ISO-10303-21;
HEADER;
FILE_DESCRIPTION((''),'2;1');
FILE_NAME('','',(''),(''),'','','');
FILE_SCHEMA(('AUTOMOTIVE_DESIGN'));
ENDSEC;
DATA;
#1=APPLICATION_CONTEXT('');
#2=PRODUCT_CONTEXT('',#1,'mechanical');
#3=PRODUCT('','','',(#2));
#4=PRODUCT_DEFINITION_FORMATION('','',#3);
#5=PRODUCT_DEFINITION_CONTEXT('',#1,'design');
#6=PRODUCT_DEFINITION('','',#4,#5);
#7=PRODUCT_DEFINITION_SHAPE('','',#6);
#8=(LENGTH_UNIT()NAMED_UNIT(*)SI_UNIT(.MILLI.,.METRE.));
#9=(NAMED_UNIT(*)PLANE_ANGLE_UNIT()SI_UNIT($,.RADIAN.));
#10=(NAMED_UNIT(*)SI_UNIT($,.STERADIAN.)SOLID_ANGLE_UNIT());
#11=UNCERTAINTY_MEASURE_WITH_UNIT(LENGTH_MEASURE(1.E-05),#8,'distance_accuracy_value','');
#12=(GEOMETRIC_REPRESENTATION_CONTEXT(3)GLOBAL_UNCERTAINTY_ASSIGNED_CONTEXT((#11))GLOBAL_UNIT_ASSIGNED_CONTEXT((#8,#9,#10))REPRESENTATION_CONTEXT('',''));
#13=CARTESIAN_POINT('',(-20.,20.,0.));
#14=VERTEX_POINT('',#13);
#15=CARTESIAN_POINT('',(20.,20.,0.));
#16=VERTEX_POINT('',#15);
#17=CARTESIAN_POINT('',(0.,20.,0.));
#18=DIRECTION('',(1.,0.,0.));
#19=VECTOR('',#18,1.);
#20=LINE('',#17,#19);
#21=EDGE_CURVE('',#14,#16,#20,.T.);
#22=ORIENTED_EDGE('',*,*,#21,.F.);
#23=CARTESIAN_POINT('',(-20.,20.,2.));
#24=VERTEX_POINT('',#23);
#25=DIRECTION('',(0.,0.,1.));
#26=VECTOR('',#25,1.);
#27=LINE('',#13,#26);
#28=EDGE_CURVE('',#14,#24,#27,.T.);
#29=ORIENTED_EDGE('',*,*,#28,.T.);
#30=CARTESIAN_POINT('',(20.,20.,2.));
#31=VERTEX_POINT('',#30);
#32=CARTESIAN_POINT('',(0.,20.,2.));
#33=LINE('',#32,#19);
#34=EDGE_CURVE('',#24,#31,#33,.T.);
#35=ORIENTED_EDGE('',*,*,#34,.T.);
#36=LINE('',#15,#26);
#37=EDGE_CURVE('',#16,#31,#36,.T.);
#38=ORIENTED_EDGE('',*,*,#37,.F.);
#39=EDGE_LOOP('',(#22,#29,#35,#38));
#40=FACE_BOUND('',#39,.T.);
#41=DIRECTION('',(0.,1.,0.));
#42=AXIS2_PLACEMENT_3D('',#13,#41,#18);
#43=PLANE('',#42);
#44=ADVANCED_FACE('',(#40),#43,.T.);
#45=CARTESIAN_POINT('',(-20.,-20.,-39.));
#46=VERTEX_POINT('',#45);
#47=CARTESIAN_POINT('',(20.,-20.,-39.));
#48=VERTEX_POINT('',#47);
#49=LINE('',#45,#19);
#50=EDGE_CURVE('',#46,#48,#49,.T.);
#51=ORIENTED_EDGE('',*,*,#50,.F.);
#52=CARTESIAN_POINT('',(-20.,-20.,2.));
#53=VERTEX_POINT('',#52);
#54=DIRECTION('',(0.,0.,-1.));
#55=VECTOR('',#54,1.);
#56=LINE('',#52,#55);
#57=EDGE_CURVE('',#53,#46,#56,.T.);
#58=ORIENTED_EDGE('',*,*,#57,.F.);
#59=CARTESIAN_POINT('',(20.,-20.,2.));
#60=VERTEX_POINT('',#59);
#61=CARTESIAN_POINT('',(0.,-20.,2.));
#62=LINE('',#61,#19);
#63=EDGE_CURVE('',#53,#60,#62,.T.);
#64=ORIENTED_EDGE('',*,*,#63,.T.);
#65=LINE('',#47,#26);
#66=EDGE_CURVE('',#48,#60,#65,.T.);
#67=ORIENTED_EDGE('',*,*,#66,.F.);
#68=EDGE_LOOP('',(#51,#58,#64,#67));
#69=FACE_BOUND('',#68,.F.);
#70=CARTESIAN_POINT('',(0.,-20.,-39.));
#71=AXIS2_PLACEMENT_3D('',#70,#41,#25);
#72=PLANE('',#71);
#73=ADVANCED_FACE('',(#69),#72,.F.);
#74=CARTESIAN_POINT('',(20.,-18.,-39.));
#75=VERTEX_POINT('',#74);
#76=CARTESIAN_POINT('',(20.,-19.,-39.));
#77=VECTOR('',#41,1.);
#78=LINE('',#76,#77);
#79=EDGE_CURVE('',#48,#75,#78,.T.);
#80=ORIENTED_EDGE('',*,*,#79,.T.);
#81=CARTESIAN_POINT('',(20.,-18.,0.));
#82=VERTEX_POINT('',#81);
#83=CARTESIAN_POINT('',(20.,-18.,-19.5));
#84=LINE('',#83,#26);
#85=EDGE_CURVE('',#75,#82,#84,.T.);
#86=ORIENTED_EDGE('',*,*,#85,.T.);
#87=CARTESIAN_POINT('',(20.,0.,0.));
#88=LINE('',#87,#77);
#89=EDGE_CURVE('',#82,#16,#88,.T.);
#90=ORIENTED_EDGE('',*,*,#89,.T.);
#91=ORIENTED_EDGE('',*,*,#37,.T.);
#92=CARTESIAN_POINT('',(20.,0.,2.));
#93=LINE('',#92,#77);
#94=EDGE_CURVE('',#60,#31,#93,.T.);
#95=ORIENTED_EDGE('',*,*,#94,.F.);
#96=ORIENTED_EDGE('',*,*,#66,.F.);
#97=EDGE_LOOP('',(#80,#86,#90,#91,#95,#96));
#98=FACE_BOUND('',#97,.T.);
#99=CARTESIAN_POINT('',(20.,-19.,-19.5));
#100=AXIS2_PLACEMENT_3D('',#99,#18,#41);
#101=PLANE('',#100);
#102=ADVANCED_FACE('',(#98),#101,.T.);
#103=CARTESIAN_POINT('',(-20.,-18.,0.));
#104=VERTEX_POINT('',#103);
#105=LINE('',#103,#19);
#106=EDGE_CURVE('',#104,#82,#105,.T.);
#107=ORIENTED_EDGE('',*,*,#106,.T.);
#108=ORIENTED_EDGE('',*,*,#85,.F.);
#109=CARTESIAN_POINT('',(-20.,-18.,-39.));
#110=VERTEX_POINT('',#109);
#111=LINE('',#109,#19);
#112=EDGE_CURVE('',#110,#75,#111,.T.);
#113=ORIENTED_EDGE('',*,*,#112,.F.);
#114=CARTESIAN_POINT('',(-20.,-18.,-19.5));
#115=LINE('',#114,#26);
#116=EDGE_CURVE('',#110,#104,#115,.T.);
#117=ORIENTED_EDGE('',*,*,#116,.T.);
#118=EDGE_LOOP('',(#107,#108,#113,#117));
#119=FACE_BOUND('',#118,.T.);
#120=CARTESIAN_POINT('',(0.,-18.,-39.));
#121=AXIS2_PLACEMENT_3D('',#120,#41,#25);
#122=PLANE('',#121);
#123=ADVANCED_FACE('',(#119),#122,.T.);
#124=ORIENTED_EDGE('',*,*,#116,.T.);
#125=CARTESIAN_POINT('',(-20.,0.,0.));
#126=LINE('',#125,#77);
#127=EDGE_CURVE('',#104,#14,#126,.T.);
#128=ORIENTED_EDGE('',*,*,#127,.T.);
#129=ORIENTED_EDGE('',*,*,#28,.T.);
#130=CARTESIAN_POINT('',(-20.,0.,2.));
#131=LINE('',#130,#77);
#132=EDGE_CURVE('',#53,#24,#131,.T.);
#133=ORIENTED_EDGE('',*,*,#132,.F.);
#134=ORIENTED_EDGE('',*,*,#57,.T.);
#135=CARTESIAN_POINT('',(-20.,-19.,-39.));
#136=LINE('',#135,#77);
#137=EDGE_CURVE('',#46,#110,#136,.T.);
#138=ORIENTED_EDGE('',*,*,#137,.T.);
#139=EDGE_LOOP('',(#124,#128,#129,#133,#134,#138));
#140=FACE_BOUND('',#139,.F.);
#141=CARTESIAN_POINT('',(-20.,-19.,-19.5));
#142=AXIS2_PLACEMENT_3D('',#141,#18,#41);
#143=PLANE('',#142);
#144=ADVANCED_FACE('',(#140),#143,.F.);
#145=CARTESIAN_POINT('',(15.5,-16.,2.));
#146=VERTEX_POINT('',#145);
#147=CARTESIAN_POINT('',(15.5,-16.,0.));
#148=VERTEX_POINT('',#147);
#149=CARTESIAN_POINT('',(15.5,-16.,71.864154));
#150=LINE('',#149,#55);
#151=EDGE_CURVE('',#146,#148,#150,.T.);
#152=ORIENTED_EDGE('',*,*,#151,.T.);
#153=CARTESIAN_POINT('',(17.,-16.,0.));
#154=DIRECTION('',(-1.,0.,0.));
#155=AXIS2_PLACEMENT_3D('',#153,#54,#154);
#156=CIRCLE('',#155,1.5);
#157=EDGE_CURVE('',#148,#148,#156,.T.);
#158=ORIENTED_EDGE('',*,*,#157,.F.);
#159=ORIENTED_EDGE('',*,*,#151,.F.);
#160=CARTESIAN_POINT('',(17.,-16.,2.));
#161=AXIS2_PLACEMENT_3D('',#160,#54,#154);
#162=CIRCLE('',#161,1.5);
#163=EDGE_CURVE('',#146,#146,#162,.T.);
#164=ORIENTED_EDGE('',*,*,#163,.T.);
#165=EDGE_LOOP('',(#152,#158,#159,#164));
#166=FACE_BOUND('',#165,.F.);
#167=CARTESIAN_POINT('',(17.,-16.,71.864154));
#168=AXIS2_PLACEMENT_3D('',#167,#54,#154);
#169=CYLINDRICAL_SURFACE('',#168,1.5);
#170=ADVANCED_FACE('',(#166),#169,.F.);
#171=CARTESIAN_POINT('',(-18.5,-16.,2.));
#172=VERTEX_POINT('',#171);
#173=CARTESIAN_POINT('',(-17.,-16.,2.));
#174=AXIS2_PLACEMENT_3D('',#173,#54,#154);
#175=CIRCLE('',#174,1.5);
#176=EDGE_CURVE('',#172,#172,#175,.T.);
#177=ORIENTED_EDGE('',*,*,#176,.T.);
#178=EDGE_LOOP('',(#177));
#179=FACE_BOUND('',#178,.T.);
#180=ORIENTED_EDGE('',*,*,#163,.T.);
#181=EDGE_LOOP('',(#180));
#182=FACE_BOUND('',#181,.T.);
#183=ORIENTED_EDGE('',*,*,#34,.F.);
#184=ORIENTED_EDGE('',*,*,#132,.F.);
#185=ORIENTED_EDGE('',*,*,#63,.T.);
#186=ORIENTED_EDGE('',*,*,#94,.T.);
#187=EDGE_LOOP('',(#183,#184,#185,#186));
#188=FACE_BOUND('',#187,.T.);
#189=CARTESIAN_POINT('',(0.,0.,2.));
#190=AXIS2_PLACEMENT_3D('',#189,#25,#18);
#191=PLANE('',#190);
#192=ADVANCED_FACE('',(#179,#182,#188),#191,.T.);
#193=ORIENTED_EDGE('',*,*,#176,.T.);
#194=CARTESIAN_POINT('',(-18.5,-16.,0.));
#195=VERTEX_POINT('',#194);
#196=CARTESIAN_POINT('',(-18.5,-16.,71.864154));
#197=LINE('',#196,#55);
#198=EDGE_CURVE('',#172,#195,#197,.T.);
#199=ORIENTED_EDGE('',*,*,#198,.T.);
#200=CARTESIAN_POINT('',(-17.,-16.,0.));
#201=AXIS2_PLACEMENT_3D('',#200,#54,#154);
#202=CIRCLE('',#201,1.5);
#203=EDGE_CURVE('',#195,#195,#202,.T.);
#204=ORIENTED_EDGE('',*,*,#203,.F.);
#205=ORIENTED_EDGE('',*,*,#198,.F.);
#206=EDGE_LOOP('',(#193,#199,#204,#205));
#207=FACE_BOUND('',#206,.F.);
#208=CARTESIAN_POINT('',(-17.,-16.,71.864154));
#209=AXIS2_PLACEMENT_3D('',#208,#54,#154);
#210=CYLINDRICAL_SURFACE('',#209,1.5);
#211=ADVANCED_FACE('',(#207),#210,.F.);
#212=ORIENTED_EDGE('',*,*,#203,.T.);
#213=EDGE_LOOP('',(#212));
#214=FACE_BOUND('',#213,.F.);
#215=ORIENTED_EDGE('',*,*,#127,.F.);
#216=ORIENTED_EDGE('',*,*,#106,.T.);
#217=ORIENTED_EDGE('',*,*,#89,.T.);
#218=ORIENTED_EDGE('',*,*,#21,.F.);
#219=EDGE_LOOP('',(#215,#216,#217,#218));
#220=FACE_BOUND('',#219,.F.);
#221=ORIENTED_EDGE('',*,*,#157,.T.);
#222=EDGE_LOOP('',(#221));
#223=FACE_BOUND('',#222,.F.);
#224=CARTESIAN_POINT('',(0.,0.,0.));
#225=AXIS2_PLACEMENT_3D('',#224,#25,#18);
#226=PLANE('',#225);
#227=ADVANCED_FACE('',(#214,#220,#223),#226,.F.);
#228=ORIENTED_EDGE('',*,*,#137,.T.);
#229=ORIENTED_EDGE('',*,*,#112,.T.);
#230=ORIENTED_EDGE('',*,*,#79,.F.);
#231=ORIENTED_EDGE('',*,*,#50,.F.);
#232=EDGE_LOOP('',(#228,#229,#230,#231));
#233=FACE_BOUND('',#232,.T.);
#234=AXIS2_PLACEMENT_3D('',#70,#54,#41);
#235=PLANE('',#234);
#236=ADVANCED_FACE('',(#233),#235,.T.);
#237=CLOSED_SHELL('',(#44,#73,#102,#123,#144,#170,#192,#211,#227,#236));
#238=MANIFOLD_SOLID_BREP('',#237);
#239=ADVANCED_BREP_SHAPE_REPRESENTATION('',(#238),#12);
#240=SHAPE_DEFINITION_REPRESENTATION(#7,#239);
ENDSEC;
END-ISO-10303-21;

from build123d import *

# Parameters (mm, degrees)
F0_W          = 40
F0_H          = 40
F1_DEPTH      = 2
F2_W          = 2
F2_H          = 39
F3_DEPTH      = 20
F3_DEPTH_BACK = 20
F5_D          = 3


with BuildPart() as f1:
    # F0 (on Top) → F1 (new body)
    with BuildSketch(Plane.XY):
        Rectangle(F0_W, F0_H)
    extrude(amount=F1_DEPTH)

    # F2 (on Right) → F3 (join, two sides)
    with BuildSketch(Plane.YZ) as f3_sk:
        with Locations((-19, -19.5)):
            Rectangle(F2_W, F2_H)
    extrude(amount=F3_DEPTH)
    extrude(f3_sk.sketch, amount=-F3_DEPTH_BACK)

    # F5 (through all)
    with Locations(Plane.XY.offset(2)):
        with Locations((-17, -16), (17, -16)):
            Hole(F5_D / 2)


solid = f1.part
